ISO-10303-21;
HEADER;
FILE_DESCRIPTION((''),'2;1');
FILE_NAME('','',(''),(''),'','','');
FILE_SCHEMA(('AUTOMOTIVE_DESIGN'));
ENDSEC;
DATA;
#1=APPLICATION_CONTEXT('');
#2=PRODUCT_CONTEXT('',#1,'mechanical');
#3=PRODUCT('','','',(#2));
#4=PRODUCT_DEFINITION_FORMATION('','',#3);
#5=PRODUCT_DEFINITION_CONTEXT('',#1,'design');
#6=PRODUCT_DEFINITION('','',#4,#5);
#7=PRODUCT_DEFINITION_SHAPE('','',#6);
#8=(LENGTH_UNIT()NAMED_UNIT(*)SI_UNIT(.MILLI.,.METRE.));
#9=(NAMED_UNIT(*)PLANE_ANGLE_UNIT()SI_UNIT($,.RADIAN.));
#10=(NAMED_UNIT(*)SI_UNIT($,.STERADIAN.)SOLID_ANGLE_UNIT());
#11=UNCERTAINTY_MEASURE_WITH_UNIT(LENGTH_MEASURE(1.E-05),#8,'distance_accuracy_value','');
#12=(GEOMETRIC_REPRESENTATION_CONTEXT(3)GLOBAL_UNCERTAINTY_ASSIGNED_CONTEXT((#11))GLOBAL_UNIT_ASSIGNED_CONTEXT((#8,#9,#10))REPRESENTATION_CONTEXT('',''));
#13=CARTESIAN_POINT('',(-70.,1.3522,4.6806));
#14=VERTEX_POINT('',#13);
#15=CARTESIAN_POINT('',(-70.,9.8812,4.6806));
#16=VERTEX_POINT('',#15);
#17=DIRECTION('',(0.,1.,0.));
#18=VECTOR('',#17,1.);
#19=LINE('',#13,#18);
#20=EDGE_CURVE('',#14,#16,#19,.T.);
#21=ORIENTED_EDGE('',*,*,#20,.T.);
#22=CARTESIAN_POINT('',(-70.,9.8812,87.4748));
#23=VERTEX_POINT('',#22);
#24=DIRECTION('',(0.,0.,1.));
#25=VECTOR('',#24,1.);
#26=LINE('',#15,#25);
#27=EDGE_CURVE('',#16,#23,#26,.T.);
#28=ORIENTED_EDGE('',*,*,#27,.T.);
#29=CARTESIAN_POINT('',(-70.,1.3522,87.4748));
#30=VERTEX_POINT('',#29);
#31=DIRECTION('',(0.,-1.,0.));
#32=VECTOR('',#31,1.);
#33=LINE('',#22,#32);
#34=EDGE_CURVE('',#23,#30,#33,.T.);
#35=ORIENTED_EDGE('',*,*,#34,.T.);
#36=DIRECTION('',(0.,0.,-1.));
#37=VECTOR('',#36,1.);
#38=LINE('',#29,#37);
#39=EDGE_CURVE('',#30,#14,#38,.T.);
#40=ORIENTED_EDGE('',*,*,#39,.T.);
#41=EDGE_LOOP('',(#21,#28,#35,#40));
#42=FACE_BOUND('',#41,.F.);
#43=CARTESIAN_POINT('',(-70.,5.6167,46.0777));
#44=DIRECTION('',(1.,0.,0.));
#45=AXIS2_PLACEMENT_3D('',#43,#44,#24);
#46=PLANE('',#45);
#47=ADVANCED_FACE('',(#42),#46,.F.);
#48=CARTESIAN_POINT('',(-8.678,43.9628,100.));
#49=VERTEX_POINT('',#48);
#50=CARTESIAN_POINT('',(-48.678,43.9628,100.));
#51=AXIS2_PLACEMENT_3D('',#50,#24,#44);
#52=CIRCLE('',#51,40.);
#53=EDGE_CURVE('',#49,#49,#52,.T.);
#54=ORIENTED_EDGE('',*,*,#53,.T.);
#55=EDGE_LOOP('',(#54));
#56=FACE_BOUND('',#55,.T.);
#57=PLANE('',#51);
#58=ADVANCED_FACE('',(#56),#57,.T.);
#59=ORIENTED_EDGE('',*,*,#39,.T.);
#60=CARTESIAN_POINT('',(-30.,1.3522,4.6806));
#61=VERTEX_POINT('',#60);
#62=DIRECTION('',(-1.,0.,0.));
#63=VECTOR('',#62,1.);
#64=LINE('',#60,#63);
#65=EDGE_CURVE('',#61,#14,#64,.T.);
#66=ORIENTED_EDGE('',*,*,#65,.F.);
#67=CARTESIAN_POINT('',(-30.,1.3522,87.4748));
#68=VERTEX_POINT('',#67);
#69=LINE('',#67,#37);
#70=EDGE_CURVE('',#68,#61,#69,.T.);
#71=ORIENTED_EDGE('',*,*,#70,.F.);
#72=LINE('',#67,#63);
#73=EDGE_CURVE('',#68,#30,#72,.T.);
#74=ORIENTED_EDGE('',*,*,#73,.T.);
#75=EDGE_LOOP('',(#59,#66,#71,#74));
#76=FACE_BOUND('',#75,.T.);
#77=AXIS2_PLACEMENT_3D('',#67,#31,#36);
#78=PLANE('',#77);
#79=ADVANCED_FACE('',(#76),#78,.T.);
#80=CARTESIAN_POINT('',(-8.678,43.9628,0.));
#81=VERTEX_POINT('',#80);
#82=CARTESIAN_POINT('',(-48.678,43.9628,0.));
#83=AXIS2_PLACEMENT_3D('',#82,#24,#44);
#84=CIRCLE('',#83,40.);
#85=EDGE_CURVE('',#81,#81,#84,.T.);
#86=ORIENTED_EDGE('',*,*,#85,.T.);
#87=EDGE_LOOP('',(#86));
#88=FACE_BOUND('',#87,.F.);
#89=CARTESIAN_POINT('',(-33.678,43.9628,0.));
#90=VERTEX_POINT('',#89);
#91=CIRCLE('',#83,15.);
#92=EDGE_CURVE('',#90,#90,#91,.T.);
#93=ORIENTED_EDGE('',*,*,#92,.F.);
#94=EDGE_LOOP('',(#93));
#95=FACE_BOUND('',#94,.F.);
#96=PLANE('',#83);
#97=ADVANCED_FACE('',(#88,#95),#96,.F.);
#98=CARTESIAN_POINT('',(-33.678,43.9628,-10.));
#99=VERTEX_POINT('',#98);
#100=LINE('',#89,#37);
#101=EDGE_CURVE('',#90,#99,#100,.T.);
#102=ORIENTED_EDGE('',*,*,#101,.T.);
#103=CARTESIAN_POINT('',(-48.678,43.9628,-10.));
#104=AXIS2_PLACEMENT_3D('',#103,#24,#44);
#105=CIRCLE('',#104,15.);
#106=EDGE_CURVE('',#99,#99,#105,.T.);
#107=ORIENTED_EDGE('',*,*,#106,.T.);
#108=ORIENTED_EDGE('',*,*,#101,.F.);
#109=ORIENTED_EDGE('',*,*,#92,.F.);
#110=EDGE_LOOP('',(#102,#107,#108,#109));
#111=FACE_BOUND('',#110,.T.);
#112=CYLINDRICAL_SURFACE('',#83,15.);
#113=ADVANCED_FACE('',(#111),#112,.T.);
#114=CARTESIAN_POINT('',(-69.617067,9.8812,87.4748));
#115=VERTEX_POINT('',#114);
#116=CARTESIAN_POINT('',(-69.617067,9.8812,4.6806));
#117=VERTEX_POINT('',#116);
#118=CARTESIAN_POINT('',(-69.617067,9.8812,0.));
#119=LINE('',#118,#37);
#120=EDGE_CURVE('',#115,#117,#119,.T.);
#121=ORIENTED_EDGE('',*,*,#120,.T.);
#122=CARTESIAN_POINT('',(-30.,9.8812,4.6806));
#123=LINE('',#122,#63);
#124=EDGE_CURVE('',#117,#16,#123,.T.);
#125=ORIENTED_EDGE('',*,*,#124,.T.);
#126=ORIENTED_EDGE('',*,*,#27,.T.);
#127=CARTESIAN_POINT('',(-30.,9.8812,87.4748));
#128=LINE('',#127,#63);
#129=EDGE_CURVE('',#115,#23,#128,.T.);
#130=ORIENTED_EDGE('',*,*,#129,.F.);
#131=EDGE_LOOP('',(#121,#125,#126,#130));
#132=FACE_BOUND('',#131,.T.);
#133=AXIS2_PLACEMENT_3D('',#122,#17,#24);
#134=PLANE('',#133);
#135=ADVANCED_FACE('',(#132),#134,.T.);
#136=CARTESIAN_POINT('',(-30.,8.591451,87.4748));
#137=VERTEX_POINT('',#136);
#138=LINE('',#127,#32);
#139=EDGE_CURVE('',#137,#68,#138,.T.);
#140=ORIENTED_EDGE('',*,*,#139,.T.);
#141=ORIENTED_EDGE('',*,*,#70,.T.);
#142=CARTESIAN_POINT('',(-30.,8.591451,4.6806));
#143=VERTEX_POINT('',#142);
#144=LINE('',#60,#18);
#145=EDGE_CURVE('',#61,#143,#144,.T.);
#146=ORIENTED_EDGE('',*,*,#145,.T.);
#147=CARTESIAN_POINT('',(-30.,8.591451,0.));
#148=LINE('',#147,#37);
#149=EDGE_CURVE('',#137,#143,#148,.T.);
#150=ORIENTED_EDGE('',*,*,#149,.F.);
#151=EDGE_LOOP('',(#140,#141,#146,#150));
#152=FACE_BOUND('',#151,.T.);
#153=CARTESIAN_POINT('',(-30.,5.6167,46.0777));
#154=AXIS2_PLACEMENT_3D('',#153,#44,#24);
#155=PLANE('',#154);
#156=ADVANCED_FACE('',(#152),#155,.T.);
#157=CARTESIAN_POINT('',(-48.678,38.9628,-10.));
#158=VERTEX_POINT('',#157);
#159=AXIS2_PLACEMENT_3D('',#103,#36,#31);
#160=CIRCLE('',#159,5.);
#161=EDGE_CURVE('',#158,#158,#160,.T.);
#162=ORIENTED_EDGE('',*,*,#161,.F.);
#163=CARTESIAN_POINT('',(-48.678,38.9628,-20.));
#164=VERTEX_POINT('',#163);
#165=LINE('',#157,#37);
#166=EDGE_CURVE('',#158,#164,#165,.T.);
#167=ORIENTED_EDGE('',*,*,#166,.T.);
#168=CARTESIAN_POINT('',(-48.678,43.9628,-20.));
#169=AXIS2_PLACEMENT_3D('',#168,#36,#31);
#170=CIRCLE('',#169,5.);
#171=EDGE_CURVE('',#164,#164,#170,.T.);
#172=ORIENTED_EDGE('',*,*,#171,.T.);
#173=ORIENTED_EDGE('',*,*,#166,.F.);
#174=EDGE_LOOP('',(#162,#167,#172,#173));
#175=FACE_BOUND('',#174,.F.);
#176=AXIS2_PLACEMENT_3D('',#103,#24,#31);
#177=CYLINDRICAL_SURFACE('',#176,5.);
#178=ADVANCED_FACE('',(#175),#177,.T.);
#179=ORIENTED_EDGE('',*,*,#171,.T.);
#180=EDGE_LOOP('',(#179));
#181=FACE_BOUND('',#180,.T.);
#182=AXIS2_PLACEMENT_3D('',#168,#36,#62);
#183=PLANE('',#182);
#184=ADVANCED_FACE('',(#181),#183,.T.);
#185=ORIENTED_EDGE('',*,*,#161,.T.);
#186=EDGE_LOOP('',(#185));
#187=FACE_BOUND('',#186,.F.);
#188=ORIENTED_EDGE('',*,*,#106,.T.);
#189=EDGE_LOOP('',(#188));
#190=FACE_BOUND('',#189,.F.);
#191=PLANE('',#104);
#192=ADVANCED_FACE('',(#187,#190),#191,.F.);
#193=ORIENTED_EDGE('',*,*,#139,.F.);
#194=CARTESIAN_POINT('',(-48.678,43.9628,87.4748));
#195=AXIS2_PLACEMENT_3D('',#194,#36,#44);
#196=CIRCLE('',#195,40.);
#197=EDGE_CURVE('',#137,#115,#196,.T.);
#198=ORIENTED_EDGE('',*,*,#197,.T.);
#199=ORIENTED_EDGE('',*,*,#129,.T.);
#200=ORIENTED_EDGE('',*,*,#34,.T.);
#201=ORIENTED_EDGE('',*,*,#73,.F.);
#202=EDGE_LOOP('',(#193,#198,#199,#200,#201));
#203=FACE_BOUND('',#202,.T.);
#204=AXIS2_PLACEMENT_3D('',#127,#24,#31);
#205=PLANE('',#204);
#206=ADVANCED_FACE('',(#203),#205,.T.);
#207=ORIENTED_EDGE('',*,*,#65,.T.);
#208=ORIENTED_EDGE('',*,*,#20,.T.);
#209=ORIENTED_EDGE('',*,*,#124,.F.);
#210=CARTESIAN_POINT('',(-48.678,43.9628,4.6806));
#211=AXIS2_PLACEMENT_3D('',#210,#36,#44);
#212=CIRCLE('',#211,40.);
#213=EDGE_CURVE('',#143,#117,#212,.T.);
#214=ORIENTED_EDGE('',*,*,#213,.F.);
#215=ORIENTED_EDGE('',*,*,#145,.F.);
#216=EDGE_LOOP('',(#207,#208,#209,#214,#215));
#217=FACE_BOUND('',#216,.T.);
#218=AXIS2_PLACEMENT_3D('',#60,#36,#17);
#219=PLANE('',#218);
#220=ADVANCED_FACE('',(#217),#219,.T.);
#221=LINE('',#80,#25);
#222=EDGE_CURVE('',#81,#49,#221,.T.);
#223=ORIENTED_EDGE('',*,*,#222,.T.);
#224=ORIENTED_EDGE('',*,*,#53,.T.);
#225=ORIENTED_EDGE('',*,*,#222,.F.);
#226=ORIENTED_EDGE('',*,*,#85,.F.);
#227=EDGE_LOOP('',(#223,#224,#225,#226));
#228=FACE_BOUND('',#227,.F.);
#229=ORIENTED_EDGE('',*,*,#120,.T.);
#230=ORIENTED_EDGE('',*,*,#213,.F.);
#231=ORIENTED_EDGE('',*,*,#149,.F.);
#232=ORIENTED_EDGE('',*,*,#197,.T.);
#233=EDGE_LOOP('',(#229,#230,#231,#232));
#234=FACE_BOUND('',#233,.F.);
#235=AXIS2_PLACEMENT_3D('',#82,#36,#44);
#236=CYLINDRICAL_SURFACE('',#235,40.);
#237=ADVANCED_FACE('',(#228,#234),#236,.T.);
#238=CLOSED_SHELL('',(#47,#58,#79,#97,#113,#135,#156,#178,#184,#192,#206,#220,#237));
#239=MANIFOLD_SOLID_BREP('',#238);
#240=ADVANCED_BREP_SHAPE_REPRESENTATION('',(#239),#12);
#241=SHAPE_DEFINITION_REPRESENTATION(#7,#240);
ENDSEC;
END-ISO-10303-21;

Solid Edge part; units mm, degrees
sketch "Sketch1" plane through (0, 0, 0) normal (0, 0, 1) x (1, 0, 0)
  circle A0 centre (-48.678, 43.9628) radius 40
extrude "Protrusion1" add sketch "Sketch1" along normal blind 100
sketch "Sketch2" plane through (0, 0, 0) normal (0, 0, 1) x (1, 0, 0)
  circle A0 centre (-48.678, 43.9628) radius 15
extrude "ExtrudedProtrusion_3" add sketch "Sketch2" against normal blind 10
sketch "Sketch3" plane through (-48.678, 43.9628, -10) normal (0, 0, -1) x (0, -1, 0)
  circle A0 centre (0, 0) radius 5
extrude "ExtrudedProtrusion_4" add sketch "Sketch3" along normal blind 10
sketch "Sketch4" plane through (-30, 0, 0) normal (1, 0, 0) x (0, 1, 0)
  line L0 (1.3522, 87.4748) -> (1.3522, 4.6806)
  line L1 (1.3522, 4.6806) -> (9.8812, 4.6806)
  line L2 (9.8812, 4.6806) -> (9.8812, 87.4748)
  line L3 (9.8812, 87.4748) -> (1.3522, 87.4748)
extrude "ExtrudedProtrusion_6" add sketch "Sketch4" against normal blind 40
